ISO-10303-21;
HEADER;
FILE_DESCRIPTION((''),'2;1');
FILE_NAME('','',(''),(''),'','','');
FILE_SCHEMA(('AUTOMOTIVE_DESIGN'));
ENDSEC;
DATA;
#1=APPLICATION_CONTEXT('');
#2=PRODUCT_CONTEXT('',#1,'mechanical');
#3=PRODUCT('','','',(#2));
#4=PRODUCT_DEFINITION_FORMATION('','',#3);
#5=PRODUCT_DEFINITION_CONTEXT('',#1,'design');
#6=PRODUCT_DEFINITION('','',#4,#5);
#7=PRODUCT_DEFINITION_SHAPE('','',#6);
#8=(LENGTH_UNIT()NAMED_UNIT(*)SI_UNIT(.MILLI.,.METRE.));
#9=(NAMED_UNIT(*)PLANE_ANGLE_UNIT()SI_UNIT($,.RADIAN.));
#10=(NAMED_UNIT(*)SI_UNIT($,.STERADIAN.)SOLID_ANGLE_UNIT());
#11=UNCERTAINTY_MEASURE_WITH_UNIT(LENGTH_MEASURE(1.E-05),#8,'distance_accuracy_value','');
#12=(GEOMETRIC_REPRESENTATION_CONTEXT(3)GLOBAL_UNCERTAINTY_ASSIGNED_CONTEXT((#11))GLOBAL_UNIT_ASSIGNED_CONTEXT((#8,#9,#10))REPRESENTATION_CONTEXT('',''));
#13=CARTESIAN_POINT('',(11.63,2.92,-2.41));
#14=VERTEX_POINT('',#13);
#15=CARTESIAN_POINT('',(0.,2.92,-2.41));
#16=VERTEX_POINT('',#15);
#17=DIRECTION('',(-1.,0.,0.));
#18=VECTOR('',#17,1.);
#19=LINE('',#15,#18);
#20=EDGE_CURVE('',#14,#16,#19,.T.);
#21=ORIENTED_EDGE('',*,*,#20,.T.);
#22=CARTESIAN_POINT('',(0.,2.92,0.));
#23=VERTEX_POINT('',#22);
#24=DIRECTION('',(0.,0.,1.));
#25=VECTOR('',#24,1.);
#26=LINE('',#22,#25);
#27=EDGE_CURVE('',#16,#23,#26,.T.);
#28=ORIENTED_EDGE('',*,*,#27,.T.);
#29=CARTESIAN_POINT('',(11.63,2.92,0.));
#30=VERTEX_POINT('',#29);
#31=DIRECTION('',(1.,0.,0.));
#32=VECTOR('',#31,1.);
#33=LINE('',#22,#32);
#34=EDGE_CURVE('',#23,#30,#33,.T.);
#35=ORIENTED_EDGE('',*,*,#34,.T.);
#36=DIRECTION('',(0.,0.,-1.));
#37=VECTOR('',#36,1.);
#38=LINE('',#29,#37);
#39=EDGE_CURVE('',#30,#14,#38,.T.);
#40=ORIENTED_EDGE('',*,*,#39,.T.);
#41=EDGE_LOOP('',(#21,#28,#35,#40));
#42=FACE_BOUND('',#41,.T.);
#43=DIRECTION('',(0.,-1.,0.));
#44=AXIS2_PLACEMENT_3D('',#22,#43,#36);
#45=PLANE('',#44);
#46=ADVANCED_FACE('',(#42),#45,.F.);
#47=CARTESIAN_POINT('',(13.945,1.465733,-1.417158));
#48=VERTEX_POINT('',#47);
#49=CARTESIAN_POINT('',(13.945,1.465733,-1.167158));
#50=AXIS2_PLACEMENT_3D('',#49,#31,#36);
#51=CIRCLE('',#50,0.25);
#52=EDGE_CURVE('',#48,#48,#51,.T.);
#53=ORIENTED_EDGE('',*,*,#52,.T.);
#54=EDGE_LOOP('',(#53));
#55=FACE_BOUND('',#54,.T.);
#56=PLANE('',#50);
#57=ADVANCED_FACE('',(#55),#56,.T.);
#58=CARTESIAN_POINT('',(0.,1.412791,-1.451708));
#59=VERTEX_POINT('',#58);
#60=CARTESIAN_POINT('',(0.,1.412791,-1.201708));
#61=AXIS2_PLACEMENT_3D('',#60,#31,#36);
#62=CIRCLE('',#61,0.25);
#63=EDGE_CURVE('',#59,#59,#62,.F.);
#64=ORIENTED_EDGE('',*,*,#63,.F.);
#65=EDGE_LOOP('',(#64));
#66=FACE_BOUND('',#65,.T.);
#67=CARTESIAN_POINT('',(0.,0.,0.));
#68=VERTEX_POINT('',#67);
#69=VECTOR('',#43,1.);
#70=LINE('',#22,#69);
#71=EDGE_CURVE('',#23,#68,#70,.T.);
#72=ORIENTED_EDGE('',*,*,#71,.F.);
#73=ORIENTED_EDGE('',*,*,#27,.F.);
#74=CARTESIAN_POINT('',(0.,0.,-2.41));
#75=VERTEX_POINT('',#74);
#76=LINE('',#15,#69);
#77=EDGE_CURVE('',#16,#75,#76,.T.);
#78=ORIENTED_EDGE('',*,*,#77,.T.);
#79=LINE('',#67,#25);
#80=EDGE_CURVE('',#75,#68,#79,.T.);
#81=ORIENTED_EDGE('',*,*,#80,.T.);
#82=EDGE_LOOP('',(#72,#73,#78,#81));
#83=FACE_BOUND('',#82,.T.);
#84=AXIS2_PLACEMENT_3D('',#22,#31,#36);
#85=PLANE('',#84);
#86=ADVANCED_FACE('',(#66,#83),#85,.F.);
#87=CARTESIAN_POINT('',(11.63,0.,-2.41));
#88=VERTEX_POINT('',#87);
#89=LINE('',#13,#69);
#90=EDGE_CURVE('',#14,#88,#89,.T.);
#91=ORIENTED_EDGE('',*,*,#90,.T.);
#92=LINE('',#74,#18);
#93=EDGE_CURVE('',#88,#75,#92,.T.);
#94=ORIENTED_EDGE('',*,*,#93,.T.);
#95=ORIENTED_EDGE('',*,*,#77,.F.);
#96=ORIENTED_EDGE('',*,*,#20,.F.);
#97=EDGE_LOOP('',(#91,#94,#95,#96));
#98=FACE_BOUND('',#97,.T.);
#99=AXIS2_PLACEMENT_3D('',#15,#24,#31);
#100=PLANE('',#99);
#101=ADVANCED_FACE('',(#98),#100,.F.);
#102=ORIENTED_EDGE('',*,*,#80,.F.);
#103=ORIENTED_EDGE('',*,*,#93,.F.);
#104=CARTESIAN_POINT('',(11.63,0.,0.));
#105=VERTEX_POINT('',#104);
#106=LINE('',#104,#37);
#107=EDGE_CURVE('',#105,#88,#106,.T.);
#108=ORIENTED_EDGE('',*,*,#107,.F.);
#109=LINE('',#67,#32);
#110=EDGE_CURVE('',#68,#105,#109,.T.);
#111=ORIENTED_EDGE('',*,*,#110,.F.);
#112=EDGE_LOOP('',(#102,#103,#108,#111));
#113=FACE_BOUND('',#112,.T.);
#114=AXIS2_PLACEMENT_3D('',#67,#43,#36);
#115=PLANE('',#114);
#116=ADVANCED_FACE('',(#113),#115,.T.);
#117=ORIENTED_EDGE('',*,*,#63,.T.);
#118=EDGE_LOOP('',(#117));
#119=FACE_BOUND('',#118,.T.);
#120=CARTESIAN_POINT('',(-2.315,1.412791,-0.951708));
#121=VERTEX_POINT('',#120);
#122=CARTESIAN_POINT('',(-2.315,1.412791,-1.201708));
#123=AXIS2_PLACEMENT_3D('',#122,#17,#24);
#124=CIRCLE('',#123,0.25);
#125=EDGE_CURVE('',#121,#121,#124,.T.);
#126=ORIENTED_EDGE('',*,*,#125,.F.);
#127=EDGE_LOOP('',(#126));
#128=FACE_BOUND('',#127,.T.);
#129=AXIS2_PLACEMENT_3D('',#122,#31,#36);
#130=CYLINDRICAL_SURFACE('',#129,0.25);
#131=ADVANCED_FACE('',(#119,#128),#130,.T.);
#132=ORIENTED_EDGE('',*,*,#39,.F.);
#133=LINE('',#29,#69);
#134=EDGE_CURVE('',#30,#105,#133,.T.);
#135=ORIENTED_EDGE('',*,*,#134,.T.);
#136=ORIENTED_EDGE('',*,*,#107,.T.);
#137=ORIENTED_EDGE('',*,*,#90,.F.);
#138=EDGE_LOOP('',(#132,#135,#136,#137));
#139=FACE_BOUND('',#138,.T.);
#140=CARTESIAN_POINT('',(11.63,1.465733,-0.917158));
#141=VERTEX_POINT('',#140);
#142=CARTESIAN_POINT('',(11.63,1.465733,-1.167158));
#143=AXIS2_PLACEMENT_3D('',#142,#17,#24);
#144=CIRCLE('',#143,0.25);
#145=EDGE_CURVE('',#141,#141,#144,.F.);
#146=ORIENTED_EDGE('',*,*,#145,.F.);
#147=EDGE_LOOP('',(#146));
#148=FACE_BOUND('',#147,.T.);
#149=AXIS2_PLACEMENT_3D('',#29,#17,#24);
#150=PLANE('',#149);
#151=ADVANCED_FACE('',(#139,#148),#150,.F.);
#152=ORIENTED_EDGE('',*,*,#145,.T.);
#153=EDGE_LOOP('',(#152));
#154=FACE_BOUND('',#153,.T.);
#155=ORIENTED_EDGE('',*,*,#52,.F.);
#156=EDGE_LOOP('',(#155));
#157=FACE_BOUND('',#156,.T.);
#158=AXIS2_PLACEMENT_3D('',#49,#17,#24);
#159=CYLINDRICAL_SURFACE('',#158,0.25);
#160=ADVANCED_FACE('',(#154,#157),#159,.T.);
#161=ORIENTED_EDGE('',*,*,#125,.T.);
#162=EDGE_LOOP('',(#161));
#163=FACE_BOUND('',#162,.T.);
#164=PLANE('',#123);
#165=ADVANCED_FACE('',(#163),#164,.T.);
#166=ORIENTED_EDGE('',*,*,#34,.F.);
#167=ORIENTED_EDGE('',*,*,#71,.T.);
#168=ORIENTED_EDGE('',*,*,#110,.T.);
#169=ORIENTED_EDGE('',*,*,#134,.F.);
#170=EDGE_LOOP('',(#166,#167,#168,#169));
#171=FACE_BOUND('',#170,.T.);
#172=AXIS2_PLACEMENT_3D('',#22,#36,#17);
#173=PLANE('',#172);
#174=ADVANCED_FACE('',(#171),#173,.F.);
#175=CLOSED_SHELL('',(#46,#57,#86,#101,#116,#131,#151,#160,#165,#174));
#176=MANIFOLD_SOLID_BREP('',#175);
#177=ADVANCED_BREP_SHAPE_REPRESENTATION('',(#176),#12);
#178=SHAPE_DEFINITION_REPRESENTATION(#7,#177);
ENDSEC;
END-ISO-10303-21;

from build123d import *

# Parameters (mm, degrees)
SKETCH1_W           = 11.63
SKETCH1_H           = 2.41
BOSS_EXTRUDE1_DEPTH = 2.92
SKETCH2_R           = 0.25
BOSS_EXTRUDE2_DEPTH = 2.315
SKETCH3_R           = 0.25
BOSS_EXTRUDE3_DEPTH = 2.315


with BuildPart() as part:
    # Sketch1 → Boss-Extrude1 (new body)
    with BuildSketch(Plane(origin=(0, 0, 0), x_dir=(1, 0, 0), z_dir=(0, 1, 0))):
        with Locations((5.815, 1.205)):
            Rectangle(SKETCH1_W, SKETCH1_H)
    extrude(amount=BOSS_EXTRUDE1_DEPTH)

    # Sketch2 → Boss-Extrude2 (add)
    with BuildSketch(Plane(origin=(11.63, 0, 0), x_dir=(0, 0, -1), z_dir=(1, 0, 0))):
        with Locations((1.167158441, 1.465733238)):
            Circle(SKETCH2_R)
    extrude(amount=BOSS_EXTRUDE2_DEPTH)

    # Sketch3 → Boss-Extrude3 (add)
    with BuildSketch(Plane.ZY):
        with Locations((-1.201708257, 1.412791091)):
            Circle(SKETCH3_R)
    extrude(amount=BOSS_EXTRUDE3_DEPTH)


solid = part.part
